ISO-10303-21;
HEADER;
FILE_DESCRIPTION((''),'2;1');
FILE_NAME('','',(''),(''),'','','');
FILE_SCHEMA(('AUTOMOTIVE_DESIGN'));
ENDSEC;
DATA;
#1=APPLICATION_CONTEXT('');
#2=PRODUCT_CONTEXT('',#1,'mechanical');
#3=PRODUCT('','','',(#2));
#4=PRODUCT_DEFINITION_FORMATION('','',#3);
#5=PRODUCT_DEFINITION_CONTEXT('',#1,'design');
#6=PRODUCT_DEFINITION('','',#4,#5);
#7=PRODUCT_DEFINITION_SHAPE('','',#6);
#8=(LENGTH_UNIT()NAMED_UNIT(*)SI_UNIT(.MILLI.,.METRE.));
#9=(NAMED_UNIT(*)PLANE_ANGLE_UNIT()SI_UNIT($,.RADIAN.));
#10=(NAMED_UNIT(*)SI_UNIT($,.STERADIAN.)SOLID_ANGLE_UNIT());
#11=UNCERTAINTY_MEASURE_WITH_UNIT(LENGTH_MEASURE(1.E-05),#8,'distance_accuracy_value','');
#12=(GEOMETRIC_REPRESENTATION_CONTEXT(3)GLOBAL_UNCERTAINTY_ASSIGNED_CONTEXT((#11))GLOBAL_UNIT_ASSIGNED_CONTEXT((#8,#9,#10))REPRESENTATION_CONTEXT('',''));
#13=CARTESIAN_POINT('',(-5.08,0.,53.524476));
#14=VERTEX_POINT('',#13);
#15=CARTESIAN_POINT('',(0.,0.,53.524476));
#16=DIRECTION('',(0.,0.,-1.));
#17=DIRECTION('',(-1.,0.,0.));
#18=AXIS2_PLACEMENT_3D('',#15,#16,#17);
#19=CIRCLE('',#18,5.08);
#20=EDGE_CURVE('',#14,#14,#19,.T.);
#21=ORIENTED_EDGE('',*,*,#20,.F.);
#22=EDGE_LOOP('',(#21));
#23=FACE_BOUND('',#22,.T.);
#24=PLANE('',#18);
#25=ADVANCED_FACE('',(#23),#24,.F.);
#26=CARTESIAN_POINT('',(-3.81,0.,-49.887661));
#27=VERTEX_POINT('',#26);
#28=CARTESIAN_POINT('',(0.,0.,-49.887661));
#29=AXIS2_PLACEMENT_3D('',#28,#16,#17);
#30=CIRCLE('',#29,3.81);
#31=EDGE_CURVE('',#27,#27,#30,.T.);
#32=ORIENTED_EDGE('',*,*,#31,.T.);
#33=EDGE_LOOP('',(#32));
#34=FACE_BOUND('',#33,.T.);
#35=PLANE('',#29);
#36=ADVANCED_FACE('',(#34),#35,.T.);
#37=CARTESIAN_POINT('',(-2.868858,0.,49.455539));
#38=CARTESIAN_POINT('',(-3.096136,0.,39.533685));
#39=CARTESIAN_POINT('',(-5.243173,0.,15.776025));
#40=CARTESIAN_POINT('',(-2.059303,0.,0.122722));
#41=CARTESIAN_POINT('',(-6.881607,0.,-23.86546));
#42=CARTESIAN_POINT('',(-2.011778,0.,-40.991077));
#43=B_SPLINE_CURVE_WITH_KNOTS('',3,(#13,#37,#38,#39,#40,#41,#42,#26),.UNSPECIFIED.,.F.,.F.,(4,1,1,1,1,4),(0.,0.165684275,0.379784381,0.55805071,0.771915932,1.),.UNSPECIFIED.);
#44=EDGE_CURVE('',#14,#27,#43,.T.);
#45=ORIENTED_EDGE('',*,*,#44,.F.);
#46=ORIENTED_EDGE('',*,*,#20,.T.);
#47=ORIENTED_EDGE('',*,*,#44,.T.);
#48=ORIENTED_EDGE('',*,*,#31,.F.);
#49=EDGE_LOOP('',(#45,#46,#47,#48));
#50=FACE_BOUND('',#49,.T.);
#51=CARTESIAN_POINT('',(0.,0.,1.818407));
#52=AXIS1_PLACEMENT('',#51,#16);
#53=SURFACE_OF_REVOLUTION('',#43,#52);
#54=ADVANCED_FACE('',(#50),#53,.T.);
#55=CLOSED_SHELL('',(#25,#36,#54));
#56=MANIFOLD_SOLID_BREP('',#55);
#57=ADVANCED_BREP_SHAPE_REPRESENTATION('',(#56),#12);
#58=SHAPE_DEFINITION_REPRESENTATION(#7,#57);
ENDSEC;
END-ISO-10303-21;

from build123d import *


with BuildPart() as f1:
    # F0 (on Front) → F1 (revolve)
    with BuildSketch(Plane.XZ):
        with BuildLine():
            Line((0, 53.5244755447), (-5.08, 53.5244755447))
            add(Edge.make_bspline(
                [(-5.08, 53.5244755447), (-2.8688578134, 49.4555394997), (-3.0961361822, 39.5336846363), (-5.2431731709, 15.7760247724), (-2.0593031099, 0.122721712), (-6.8816069958, -23.8654596148), (-2.01177782, -40.9910766503), (-3.81, -49.8876608908)],
                knots=[0, 0, 0, 0, 0.1656842754, 0.3797843805, 0.55805071, 0.7719159318, 1, 1, 1, 1], degree=3))
            Line((-3.81, -49.8876608908), (0, -49.8876608908))
            Line((0, -49.8876608908), (0, 53.5244755447))
        make_face()
    revolve(axis=Axis((0, 0, 1.8184073269), (0, 0, -1)))


solid = f1.part
